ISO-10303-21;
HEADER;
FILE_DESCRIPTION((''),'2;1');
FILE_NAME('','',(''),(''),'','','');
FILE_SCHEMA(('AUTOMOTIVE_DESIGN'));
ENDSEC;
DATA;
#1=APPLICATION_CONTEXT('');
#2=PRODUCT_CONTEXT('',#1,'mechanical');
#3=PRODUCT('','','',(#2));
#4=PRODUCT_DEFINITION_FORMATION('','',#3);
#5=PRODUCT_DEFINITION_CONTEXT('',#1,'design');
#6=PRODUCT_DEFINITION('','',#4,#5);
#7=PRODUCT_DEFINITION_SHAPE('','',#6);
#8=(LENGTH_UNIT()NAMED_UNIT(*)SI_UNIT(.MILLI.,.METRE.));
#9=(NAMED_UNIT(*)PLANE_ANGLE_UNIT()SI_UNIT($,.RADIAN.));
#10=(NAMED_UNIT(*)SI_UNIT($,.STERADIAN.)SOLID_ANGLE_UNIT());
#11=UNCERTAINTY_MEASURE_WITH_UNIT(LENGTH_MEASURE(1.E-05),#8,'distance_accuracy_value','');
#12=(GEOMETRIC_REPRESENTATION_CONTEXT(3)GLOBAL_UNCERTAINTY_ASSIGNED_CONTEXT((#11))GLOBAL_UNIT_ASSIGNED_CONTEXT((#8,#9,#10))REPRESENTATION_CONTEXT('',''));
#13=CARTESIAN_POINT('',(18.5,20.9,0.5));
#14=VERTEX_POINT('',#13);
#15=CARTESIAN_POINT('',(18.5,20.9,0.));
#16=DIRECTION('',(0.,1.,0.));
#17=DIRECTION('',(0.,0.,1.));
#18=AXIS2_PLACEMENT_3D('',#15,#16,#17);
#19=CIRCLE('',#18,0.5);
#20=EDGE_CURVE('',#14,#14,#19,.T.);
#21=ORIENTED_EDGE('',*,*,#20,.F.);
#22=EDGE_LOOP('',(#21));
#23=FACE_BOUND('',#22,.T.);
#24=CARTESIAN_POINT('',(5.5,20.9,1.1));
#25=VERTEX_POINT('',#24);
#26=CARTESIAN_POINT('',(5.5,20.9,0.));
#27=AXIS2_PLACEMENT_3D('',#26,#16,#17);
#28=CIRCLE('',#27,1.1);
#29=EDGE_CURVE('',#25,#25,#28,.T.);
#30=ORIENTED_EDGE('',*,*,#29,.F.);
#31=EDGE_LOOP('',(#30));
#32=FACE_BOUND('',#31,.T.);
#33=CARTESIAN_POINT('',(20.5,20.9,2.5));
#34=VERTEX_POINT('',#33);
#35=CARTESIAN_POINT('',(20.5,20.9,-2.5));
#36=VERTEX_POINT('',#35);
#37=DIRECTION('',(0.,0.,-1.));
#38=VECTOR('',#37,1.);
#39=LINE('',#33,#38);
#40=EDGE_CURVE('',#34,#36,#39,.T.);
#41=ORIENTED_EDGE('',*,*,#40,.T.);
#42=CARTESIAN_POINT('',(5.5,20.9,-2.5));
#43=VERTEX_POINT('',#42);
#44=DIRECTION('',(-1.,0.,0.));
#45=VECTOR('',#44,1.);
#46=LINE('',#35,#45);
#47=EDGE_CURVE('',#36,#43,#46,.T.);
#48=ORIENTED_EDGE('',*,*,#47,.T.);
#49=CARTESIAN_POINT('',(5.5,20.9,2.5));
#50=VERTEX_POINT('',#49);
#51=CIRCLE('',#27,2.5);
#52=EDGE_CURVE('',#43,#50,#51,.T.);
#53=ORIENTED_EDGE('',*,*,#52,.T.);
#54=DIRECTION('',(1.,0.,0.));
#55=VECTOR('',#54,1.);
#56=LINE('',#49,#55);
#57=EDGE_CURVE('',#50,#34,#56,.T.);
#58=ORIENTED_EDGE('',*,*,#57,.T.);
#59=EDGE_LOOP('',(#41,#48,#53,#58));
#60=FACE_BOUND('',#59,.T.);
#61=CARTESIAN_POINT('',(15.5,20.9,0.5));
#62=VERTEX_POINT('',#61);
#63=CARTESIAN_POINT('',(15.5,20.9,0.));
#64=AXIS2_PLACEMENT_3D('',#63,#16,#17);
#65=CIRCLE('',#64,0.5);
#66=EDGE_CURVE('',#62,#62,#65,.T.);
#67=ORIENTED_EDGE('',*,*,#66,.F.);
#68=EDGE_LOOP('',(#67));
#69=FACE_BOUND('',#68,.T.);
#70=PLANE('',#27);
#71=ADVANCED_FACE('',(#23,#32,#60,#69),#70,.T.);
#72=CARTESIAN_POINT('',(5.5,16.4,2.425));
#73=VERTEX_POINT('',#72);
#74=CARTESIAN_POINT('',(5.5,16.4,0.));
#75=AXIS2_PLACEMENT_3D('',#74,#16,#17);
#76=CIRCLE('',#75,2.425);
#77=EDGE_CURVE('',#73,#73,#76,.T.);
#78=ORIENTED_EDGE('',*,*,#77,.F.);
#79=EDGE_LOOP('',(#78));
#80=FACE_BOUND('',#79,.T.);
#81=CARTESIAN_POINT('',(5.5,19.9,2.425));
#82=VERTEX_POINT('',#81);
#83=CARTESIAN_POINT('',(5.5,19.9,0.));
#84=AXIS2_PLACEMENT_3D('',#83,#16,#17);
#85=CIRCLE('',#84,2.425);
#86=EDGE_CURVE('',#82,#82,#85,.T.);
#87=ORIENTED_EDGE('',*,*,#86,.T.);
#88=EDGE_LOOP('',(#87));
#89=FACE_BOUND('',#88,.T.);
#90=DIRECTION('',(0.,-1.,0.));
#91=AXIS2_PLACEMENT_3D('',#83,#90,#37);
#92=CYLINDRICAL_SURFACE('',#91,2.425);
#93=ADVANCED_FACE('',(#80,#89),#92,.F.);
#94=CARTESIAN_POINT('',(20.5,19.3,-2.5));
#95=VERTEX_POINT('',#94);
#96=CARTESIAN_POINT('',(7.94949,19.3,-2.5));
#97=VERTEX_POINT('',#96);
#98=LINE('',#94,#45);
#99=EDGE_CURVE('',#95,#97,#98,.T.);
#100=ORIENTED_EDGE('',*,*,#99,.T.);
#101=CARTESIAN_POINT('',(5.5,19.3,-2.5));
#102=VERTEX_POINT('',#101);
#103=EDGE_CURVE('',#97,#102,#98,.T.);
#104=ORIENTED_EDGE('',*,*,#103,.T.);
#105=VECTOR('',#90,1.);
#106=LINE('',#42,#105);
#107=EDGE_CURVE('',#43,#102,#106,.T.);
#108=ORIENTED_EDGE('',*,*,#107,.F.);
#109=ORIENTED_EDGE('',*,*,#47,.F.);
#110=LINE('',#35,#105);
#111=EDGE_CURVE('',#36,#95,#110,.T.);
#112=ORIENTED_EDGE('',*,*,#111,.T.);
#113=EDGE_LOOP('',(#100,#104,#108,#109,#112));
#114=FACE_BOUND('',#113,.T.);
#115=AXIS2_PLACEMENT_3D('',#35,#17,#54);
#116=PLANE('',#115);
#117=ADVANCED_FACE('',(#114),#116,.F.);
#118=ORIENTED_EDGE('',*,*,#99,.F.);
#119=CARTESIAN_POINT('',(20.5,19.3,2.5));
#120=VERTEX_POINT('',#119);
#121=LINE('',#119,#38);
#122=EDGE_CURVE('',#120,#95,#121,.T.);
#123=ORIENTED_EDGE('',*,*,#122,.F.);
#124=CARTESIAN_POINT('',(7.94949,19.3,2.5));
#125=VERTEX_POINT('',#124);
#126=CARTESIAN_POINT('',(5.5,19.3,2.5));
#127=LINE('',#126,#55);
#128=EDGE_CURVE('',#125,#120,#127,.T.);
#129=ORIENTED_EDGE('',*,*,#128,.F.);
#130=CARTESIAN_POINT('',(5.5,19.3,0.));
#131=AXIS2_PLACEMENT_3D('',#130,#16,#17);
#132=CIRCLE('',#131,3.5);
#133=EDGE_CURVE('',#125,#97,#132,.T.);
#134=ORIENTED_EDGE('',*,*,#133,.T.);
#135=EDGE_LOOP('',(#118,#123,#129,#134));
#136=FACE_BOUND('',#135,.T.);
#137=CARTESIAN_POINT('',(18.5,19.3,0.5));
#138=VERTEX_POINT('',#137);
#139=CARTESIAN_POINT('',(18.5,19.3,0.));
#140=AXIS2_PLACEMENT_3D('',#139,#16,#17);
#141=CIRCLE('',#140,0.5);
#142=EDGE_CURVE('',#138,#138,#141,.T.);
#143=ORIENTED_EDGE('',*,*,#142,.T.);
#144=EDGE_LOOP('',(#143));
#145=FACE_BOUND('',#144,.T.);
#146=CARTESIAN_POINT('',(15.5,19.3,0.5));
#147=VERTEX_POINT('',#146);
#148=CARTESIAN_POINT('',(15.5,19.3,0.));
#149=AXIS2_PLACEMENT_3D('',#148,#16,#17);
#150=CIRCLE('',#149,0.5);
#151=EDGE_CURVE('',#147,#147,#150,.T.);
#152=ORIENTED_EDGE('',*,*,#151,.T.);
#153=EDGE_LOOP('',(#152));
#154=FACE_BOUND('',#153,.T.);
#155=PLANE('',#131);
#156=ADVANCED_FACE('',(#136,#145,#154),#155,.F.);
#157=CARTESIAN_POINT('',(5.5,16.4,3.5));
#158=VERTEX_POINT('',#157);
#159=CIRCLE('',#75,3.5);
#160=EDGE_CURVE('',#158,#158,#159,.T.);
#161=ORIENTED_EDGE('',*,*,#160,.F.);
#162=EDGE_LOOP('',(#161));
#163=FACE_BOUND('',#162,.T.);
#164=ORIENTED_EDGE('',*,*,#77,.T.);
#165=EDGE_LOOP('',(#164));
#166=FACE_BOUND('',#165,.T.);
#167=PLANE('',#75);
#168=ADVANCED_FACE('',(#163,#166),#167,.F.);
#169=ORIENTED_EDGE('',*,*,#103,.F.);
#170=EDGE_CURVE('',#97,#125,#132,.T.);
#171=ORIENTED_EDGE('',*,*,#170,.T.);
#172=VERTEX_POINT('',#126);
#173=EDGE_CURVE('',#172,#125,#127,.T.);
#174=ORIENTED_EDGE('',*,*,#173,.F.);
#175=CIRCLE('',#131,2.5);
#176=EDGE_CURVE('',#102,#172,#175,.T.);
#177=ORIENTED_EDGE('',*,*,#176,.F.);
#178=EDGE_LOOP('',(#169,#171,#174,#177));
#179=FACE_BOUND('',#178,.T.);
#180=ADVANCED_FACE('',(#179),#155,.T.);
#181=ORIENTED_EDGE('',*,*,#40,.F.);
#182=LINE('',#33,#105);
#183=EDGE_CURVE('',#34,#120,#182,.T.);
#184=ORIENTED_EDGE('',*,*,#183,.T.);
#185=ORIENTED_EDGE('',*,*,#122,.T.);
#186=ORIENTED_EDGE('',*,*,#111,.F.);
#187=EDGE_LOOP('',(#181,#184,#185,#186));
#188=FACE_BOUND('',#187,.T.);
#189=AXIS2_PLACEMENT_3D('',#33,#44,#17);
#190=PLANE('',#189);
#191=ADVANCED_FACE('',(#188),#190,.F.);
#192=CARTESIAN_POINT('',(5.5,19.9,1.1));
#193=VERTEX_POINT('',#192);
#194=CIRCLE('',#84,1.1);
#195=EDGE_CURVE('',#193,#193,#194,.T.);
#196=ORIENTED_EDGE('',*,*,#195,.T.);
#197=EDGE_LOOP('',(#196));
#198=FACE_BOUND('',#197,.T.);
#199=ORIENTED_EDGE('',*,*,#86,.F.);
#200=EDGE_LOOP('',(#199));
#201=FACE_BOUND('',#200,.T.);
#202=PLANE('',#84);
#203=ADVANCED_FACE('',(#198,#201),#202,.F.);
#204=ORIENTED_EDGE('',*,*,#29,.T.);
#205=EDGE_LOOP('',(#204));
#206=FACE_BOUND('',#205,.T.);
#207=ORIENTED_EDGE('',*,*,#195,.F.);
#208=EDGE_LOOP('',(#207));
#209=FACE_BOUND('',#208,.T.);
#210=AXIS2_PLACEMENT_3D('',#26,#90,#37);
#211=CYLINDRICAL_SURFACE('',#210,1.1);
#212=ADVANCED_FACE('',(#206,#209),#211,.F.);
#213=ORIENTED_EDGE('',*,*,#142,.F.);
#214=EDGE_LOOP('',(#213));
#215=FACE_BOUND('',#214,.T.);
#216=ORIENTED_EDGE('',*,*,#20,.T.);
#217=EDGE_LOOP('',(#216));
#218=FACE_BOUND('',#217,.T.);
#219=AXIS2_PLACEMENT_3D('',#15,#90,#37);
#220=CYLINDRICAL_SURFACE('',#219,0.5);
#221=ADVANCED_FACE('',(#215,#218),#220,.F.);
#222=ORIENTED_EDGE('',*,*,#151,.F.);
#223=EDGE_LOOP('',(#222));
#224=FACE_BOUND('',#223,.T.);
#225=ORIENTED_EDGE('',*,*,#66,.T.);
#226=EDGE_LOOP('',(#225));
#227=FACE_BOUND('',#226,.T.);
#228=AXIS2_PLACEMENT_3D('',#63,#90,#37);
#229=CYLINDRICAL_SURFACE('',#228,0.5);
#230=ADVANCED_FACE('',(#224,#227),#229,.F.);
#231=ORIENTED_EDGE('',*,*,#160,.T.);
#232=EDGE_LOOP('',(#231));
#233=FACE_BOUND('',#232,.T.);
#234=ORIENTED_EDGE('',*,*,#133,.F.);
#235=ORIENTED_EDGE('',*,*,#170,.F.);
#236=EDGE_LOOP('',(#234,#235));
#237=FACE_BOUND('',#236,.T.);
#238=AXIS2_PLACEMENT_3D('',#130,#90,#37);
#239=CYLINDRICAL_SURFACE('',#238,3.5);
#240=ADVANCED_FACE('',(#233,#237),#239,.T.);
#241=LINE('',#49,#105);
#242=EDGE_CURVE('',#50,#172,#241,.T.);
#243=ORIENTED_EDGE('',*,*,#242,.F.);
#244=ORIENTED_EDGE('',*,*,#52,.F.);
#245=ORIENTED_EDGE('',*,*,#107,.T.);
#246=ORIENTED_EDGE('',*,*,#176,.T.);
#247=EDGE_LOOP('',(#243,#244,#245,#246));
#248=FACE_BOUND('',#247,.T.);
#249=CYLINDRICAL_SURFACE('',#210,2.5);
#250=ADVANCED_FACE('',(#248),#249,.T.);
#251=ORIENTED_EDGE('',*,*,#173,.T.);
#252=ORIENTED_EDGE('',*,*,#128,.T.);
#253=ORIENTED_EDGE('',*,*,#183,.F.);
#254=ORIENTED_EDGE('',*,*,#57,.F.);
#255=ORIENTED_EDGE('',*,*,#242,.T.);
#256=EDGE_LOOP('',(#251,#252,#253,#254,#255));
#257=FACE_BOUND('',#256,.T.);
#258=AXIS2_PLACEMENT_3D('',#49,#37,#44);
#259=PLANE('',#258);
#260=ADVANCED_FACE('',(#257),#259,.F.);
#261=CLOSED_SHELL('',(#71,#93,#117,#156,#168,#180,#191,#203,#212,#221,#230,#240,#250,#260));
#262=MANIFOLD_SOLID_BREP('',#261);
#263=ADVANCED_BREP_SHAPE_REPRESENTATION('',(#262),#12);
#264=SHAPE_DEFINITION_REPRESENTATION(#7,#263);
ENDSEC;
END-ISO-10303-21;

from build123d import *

# Parameters (mm, degrees)
BOSS_EXTRUDE1_DEPTH = 1.6
SKETCH2_R           = 3.5
BOSS_EXTRUDE2_DEPTH = 2.9
SKETCH3_R           = 2.425
CUT_EXTRUDE2_DEPTH  = 3.5
SKETCH4_R           = 1.1
CUT_EXTRUDE4_DEPTH  = 1
SKETCH5_R           = 0.5
CUT_EXTRUDE6_DEPTH  = 1.6
SKETCH6_R           = 0.5
CUT_EXTRUDE8_DEPTH  = 1.6


with BuildPart() as part:
    # Sketch1 → Boss-Extrude1 (new body)
    with BuildSketch(Plane(origin=(0, 19.3, 0), x_dir=(1, 0, 0), z_dir=(0, 1, 0))):
        with BuildLine():
            Line((5.5, -2.5), (20.5, -2.5))
            Line((20.5, -2.5), (20.5, 2.5))
            Line((20.5, 2.5), (5.5, 2.5))
            ThreePointArc((5.5, 2.5), (3, 0), (5.5, -2.5))
        make_face()
    extrude(amount=BOSS_EXTRUDE1_DEPTH)

    # Sketch2 → Boss-Extrude2 (add)
    with BuildSketch(Plane(origin=(0, 16.4, 0), x_dir=(1, 0, 0), z_dir=(0, 1, 0))):
        with Locations(Location((5.5, 0, 0), (0, 0, 45.584691403))):
            Circle(SKETCH2_R)
    extrude(amount=BOSS_EXTRUDE2_DEPTH)

    # Sketch3 → Cut-Extrude2 (cut)
    with BuildSketch(Plane(origin=(0, 16.4, 0), x_dir=(1, 0, 0), z_dir=(0, 1, 0))):
        with Locations(Location((5.5, 0, 0), (0, 0, 270))):
            Circle(SKETCH3_R)
    extrude(amount=CUT_EXTRUDE2_DEPTH, mode=Mode.SUBTRACT)

    # Sketch4 → Cut-Extrude4 (cut)
    with BuildSketch(Plane(origin=(0, 19.9, 0), x_dir=(1, 0, 0), z_dir=(0, 1, 0))):
        with Locations(Location((5.5, 0, 0), (0, 0, 270))):
            Circle(SKETCH4_R)
    extrude(amount=CUT_EXTRUDE4_DEPTH, mode=Mode.SUBTRACT)

    # Sketch5 → Cut-Extrude6 (cut)
    with BuildSketch(Plane(origin=(0, 19.3, 0), x_dir=(1, 0, 0), z_dir=(0, 1, 0))):
        with Locations(Location((15.5, 0, 0), (0, 0, 270))):
            Circle(SKETCH5_R)
    extrude(amount=CUT_EXTRUDE6_DEPTH, mode=Mode.SUBTRACT)

    # Sketch6 → Cut-Extrude8 (cut)
    with BuildSketch(Plane(origin=(0, 19.3, 0), x_dir=(1, 0, 0), z_dir=(0, 1, 0))):
        with Locations(Location((18.5, 0, 0), (0, 0, 270))):
            Circle(SKETCH6_R)
    extrude(amount=CUT_EXTRUDE8_DEPTH, mode=Mode.SUBTRACT)


solid = part.part
